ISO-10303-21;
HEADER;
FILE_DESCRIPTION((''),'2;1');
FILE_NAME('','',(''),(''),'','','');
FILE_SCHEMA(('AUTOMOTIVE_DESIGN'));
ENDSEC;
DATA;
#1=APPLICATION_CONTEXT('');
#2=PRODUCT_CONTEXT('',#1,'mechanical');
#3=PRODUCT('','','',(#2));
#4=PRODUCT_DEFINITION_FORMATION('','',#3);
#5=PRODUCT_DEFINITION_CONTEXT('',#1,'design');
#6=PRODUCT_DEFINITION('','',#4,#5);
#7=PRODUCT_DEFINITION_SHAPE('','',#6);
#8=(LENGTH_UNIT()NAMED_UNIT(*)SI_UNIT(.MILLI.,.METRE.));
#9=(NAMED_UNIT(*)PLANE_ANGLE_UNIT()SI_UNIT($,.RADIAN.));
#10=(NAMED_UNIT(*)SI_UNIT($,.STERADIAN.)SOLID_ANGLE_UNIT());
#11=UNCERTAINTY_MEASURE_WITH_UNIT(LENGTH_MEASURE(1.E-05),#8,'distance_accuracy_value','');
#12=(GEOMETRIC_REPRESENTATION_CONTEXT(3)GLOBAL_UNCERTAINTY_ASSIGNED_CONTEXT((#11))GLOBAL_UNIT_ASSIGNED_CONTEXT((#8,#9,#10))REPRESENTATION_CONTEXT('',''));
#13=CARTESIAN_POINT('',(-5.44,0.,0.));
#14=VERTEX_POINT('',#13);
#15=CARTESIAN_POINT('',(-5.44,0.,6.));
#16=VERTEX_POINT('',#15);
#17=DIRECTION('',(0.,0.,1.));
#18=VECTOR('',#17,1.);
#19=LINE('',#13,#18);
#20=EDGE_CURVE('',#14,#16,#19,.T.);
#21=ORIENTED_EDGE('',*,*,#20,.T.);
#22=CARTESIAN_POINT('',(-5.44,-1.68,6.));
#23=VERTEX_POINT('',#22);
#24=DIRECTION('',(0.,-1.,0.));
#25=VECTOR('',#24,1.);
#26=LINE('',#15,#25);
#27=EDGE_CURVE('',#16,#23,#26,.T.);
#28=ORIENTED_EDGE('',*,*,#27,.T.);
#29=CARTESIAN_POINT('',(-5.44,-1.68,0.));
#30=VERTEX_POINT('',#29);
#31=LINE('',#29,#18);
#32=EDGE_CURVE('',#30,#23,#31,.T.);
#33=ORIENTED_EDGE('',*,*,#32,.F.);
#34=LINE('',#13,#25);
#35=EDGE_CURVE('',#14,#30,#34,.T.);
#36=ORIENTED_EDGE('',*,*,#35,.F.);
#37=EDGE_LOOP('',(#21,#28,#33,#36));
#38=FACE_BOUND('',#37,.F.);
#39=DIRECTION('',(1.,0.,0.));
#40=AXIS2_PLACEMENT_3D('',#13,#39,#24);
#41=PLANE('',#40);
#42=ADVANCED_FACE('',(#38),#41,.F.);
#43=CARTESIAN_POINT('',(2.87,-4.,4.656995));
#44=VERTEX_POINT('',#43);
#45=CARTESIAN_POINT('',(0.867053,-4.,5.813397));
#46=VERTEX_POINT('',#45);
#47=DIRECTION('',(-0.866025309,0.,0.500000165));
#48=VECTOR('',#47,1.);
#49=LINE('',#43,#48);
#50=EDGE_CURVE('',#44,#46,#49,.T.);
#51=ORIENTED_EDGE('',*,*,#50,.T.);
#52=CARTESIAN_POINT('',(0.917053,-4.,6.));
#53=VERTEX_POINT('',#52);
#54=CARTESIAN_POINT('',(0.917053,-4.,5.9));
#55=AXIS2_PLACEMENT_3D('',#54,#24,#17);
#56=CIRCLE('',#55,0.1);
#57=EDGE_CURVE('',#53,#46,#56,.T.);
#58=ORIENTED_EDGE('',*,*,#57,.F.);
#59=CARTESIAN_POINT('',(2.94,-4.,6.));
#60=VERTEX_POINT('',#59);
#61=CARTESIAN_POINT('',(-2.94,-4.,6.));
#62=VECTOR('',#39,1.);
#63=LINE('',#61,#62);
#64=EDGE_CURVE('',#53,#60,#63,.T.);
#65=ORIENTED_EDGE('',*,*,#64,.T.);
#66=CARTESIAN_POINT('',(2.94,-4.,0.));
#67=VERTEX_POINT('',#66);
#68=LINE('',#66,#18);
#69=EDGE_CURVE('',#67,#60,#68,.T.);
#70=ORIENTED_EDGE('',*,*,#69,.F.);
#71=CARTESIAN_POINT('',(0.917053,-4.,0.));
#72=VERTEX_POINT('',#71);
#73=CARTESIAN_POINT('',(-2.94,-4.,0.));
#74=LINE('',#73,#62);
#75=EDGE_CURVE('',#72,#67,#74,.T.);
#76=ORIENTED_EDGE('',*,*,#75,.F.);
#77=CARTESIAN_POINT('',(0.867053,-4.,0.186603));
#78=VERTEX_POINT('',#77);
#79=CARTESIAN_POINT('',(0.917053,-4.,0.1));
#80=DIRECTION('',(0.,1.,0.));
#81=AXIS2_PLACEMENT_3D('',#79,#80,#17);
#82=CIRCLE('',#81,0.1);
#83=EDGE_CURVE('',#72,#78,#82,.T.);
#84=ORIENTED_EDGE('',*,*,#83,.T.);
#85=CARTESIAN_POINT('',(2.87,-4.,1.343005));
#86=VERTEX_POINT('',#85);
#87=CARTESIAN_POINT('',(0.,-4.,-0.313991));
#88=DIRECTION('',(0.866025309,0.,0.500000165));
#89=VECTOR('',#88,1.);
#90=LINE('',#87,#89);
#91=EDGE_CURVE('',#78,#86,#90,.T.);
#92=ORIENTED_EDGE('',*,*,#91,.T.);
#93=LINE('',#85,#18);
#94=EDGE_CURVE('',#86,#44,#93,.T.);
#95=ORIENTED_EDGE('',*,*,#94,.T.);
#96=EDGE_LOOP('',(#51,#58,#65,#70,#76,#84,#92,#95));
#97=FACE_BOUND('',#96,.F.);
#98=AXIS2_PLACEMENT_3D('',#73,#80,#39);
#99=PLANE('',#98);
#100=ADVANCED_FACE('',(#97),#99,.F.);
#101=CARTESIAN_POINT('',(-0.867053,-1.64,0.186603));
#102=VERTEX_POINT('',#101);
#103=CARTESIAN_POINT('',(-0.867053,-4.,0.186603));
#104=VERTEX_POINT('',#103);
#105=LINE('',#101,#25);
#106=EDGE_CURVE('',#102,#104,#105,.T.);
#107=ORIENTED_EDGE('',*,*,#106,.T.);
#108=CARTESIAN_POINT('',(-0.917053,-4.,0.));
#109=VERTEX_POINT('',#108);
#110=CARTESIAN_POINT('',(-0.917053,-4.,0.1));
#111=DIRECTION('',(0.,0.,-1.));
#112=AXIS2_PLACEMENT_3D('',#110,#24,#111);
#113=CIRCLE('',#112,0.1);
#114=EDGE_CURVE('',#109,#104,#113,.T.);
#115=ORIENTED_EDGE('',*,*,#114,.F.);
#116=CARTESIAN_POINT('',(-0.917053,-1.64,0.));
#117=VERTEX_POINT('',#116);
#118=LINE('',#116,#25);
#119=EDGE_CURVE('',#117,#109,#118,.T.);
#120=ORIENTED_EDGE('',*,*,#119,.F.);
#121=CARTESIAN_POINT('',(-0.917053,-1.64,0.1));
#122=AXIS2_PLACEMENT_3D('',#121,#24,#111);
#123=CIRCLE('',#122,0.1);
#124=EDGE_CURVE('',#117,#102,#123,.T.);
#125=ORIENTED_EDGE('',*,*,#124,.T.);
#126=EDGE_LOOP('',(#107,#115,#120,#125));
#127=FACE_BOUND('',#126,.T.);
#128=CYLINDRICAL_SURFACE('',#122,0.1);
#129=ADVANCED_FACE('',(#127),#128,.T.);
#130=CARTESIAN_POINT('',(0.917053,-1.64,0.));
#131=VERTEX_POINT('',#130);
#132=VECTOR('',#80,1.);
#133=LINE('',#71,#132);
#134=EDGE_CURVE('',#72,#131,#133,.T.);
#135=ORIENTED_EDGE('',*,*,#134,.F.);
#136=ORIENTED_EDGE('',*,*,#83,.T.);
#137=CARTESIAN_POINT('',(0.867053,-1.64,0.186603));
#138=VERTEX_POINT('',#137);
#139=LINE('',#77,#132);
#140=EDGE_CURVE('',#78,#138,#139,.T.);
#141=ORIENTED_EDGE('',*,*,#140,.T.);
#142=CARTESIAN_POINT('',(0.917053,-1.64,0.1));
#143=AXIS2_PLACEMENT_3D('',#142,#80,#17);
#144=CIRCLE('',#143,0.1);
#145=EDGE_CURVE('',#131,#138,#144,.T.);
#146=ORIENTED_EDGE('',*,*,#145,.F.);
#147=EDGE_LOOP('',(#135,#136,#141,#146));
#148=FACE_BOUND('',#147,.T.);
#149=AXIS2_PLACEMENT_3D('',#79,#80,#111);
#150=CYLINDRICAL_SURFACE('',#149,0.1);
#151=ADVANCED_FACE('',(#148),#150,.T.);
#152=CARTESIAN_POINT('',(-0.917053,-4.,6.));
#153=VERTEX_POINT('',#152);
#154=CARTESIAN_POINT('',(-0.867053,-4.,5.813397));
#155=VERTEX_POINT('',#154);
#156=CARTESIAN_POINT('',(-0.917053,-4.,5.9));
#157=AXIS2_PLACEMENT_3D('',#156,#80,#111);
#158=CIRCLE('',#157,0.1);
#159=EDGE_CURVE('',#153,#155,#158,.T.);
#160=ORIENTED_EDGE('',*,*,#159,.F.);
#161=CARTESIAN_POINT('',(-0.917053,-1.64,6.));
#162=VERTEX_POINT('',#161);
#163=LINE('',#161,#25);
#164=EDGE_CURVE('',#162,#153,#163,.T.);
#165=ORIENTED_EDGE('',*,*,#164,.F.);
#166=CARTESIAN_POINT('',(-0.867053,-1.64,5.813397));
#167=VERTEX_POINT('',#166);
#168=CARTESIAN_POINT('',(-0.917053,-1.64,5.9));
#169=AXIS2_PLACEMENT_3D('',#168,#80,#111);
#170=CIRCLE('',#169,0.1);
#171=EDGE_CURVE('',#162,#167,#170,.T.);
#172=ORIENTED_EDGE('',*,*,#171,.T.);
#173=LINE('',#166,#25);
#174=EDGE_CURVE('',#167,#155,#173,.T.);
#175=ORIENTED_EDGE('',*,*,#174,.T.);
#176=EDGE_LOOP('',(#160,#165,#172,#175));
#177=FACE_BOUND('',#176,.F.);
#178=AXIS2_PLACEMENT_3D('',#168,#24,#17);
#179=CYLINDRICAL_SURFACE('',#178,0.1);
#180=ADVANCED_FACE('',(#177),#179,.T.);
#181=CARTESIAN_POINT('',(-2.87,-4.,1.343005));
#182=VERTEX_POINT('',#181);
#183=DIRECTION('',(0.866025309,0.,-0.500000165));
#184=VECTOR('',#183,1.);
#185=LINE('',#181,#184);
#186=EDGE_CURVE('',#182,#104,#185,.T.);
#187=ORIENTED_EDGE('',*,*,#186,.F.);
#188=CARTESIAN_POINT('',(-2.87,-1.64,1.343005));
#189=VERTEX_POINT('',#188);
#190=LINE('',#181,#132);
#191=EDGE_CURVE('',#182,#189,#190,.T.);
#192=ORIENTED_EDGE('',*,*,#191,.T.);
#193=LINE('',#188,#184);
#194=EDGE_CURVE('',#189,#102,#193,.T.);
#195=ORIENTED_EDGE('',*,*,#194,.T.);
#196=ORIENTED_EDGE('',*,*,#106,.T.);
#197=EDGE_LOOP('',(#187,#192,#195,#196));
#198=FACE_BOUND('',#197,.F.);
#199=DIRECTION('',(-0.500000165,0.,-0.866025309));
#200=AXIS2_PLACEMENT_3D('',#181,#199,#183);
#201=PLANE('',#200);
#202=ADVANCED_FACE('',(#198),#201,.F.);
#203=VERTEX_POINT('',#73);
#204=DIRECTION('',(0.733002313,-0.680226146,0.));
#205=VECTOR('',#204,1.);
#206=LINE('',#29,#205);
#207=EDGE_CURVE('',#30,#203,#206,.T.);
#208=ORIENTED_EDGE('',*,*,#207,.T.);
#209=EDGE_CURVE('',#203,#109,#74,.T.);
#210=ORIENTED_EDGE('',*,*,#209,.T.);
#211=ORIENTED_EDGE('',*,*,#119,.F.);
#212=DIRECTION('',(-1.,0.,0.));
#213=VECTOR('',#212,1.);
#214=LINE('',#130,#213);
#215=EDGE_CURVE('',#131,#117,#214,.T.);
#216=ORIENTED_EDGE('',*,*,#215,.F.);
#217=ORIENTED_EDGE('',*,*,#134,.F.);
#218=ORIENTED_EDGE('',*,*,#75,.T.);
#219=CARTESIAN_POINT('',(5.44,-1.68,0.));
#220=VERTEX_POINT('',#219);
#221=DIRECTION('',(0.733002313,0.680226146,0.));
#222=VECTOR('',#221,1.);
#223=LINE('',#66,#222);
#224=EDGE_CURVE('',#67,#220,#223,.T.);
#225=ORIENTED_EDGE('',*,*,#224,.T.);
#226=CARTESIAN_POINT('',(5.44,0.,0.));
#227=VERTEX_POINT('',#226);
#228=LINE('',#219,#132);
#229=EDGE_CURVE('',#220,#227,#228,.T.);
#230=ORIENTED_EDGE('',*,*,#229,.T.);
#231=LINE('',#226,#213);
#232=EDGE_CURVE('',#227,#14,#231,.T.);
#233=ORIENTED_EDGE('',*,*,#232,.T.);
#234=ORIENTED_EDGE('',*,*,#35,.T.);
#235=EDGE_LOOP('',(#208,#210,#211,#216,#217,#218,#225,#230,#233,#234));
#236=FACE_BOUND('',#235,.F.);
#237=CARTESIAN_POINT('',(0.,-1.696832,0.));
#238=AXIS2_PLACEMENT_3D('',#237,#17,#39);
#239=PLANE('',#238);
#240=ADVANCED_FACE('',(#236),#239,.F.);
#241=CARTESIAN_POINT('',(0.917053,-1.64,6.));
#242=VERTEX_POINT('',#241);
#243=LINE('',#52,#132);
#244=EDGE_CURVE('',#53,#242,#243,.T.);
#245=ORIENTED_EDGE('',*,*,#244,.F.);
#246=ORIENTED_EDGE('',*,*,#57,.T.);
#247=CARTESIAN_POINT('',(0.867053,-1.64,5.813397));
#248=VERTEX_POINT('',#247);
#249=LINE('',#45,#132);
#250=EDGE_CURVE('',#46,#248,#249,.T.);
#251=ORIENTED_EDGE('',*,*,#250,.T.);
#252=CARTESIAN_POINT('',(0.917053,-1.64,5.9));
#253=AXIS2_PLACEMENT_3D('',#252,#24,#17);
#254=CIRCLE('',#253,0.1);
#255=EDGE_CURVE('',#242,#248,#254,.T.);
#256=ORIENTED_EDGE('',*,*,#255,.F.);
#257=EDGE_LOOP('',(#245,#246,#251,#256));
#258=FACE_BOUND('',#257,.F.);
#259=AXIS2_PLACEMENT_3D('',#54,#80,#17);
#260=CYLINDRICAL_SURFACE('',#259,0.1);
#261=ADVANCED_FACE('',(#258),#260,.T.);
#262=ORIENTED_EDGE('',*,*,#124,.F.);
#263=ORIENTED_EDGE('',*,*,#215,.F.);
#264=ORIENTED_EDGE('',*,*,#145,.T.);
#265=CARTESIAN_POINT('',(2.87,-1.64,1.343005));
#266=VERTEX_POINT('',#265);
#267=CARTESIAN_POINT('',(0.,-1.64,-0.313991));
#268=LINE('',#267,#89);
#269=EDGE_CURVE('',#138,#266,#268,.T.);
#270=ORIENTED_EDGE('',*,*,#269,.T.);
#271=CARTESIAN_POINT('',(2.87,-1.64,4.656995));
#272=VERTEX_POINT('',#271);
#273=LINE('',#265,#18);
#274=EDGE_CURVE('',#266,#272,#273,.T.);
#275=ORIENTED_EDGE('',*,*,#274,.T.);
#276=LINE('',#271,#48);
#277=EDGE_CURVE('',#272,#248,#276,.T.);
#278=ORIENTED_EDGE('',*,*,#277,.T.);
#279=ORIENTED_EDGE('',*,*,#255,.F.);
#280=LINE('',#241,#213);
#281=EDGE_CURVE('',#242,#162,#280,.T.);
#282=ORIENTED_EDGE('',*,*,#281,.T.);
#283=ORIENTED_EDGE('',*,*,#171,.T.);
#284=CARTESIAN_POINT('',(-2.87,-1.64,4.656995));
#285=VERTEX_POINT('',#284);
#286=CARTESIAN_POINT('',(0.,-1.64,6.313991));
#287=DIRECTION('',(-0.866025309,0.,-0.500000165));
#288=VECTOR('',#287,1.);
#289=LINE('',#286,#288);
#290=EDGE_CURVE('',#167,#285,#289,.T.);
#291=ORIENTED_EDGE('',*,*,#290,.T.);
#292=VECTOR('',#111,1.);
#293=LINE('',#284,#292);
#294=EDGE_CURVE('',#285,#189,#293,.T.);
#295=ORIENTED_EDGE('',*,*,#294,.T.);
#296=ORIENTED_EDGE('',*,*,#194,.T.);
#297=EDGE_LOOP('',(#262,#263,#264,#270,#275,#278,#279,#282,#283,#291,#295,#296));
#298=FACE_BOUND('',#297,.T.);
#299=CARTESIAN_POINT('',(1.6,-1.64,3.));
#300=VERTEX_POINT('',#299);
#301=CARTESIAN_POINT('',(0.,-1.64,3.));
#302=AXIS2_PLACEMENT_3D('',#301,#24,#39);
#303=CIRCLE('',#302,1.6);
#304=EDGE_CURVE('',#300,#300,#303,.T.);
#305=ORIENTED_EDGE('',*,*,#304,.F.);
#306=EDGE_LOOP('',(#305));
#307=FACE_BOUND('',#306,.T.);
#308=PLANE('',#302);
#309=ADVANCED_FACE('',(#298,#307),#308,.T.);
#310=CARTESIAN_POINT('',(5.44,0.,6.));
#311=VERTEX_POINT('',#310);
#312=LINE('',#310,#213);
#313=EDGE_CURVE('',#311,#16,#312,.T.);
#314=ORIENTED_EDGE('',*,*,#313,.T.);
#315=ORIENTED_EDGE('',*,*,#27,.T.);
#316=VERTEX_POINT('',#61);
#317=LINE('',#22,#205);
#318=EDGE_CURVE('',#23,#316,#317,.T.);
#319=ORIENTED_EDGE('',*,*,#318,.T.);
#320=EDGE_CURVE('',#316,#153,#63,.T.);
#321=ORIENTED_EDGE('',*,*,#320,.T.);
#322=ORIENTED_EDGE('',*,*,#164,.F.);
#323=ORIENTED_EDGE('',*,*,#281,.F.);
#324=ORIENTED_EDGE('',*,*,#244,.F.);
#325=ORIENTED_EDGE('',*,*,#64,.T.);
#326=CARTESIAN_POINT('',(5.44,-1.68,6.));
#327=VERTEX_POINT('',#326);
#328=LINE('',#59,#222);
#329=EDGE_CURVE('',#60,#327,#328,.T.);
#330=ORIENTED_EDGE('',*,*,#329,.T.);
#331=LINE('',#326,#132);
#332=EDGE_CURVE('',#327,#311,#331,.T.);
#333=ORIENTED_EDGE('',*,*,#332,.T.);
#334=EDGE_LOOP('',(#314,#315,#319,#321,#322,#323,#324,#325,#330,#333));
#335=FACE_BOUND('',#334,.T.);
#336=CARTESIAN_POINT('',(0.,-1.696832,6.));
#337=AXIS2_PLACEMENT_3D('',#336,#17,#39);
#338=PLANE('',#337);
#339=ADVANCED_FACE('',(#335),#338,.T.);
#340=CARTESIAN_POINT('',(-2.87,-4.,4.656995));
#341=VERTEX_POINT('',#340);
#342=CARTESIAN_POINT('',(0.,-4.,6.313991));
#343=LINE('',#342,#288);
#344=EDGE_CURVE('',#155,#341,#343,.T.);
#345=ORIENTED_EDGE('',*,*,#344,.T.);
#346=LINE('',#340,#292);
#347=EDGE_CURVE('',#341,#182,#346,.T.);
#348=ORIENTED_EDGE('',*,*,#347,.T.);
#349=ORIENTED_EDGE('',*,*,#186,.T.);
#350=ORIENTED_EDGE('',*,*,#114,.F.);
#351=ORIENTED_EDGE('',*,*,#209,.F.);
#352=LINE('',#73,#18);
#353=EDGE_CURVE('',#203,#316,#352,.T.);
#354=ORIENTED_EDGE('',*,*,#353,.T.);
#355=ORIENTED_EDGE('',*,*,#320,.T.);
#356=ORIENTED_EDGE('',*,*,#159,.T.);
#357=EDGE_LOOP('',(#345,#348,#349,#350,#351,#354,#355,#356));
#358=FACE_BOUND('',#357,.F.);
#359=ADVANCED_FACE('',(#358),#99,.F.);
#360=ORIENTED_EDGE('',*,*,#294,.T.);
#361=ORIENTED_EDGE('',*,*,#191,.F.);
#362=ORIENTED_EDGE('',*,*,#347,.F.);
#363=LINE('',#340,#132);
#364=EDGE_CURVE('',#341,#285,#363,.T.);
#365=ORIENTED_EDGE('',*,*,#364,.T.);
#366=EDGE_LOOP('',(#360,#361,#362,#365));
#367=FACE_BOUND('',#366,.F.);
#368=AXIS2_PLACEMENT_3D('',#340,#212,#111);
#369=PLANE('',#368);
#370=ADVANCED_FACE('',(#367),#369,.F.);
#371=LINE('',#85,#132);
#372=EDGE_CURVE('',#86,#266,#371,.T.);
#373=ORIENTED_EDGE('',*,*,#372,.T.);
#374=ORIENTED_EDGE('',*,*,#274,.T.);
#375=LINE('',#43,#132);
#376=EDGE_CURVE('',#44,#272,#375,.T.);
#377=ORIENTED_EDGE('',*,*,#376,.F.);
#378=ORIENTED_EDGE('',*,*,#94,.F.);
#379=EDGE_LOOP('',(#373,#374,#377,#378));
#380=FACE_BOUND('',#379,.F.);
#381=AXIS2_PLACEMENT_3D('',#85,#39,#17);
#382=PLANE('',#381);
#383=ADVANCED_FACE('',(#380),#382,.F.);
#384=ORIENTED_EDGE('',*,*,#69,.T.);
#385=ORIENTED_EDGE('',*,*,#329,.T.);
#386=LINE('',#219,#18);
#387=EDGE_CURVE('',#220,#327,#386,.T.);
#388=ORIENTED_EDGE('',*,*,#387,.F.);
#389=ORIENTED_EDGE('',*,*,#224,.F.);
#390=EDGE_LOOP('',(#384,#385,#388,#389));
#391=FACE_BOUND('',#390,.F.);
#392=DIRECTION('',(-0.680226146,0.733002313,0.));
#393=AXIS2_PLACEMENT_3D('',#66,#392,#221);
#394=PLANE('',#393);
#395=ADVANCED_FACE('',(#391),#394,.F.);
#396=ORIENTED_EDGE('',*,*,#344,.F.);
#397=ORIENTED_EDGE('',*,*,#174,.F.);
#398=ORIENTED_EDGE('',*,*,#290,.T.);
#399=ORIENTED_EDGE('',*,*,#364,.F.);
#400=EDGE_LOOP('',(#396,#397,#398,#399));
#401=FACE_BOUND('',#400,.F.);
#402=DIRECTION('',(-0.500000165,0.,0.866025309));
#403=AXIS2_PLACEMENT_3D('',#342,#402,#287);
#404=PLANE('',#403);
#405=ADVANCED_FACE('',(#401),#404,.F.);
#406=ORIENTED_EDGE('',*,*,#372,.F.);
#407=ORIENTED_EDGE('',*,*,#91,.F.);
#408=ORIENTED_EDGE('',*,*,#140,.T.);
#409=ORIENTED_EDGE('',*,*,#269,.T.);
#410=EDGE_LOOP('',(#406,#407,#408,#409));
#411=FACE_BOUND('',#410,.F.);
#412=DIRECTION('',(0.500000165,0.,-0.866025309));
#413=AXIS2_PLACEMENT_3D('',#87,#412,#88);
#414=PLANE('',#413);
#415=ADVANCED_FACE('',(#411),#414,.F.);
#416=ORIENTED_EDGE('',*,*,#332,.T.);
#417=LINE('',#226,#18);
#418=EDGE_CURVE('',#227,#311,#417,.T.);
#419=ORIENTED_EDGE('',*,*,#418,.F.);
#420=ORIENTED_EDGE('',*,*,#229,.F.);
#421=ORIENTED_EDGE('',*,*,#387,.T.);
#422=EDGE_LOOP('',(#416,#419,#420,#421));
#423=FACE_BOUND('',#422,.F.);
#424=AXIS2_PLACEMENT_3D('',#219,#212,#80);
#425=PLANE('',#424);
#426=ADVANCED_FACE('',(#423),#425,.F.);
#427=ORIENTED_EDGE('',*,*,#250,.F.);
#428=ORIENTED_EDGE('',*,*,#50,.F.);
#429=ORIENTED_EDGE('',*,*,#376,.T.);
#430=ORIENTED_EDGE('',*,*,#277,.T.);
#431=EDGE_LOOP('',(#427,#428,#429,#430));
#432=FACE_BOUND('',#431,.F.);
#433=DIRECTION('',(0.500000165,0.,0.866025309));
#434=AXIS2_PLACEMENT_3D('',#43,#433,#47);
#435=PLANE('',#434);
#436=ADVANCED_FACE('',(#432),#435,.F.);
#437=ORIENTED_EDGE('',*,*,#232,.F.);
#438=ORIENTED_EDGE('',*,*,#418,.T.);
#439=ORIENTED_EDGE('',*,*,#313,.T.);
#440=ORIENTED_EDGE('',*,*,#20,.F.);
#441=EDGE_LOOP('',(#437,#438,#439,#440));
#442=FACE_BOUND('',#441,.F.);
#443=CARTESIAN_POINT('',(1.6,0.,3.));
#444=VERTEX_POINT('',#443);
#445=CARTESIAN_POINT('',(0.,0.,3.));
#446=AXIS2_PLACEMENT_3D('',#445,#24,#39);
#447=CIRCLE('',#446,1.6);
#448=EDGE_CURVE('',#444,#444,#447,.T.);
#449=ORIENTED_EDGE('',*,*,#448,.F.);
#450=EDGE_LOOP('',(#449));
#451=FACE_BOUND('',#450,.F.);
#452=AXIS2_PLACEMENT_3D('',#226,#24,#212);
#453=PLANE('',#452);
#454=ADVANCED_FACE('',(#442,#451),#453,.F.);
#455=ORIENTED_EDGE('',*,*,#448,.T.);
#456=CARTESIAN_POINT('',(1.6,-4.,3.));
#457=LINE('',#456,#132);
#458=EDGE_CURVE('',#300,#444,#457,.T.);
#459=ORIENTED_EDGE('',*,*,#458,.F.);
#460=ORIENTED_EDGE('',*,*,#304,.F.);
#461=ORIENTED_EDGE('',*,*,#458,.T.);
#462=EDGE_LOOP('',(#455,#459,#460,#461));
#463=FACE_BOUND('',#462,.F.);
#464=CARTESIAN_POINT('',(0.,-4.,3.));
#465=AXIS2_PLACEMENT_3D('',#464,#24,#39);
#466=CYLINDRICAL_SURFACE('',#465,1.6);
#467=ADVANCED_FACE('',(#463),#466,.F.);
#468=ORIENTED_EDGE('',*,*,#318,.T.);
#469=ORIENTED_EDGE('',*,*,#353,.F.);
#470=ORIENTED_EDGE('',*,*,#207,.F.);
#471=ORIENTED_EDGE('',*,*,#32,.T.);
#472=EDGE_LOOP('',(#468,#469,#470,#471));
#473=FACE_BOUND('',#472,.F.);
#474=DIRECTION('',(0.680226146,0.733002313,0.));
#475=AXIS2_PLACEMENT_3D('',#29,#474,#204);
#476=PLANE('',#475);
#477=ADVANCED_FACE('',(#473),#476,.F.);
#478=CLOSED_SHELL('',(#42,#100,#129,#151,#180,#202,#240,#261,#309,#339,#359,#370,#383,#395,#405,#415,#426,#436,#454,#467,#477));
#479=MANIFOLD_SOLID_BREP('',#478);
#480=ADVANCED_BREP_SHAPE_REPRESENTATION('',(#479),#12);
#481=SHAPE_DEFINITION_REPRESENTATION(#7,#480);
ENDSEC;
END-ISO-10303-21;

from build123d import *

# Parameters (mm, degrees)
PAD_DEPTH       = 6
SKETCH001_R     = 1.6
POCKET_DEPTH    = 4.001
POCKET001_DEPTH = 2.36
FILLET_R        = 0.1


with BuildPart() as part:
    # Sketch → Pad (new body)
    with BuildSketch(Plane.XY):
        Polygon((0, 0), (-5.44, 0), (-5.44, -1.68), (-2.94, -4), (0, -4), (2.94, -4), (5.44, -1.68), (5.44, 0), align=None)
    extrude(amount=PAD_DEPTH)

    # Sketch001 (on Face5 of Pad) → Pocket (cut, through all)
    with BuildSketch(Plane.XZ.offset(4)):
        with Locations((0, 3)):
            Circle(SKETCH001_R)
    extrude(amount=-POCKET_DEPTH, mode=Mode.SUBTRACT)

    # Sketch002 (on Face8 of Pocket) → Pocket001 (cut)
    with BuildSketch(Plane.XZ.offset(4)):
        Polygon((-2.87, 4.656995), (-2.87, 1.343005), (0, -0.313991), (2.87, 1.343005), (2.87, 4.656995), (0, 6.313991), align=None)
    extrude(amount=-POCKET001_DEPTH, mode=Mode.SUBTRACT)

    # Fillet
    fillet_edges = [part.edges().sort_by_distance(p)[0] for p in [
        (-0.543848, -2.82, 6),
        (0.543848, -2.82, 6),
        (0.543848, -2.82, 0),
        (-0.543848, -2.82, 0),
    ]]
    fillet(fillet_edges, radius=FILLET_R)


solid = part.part
